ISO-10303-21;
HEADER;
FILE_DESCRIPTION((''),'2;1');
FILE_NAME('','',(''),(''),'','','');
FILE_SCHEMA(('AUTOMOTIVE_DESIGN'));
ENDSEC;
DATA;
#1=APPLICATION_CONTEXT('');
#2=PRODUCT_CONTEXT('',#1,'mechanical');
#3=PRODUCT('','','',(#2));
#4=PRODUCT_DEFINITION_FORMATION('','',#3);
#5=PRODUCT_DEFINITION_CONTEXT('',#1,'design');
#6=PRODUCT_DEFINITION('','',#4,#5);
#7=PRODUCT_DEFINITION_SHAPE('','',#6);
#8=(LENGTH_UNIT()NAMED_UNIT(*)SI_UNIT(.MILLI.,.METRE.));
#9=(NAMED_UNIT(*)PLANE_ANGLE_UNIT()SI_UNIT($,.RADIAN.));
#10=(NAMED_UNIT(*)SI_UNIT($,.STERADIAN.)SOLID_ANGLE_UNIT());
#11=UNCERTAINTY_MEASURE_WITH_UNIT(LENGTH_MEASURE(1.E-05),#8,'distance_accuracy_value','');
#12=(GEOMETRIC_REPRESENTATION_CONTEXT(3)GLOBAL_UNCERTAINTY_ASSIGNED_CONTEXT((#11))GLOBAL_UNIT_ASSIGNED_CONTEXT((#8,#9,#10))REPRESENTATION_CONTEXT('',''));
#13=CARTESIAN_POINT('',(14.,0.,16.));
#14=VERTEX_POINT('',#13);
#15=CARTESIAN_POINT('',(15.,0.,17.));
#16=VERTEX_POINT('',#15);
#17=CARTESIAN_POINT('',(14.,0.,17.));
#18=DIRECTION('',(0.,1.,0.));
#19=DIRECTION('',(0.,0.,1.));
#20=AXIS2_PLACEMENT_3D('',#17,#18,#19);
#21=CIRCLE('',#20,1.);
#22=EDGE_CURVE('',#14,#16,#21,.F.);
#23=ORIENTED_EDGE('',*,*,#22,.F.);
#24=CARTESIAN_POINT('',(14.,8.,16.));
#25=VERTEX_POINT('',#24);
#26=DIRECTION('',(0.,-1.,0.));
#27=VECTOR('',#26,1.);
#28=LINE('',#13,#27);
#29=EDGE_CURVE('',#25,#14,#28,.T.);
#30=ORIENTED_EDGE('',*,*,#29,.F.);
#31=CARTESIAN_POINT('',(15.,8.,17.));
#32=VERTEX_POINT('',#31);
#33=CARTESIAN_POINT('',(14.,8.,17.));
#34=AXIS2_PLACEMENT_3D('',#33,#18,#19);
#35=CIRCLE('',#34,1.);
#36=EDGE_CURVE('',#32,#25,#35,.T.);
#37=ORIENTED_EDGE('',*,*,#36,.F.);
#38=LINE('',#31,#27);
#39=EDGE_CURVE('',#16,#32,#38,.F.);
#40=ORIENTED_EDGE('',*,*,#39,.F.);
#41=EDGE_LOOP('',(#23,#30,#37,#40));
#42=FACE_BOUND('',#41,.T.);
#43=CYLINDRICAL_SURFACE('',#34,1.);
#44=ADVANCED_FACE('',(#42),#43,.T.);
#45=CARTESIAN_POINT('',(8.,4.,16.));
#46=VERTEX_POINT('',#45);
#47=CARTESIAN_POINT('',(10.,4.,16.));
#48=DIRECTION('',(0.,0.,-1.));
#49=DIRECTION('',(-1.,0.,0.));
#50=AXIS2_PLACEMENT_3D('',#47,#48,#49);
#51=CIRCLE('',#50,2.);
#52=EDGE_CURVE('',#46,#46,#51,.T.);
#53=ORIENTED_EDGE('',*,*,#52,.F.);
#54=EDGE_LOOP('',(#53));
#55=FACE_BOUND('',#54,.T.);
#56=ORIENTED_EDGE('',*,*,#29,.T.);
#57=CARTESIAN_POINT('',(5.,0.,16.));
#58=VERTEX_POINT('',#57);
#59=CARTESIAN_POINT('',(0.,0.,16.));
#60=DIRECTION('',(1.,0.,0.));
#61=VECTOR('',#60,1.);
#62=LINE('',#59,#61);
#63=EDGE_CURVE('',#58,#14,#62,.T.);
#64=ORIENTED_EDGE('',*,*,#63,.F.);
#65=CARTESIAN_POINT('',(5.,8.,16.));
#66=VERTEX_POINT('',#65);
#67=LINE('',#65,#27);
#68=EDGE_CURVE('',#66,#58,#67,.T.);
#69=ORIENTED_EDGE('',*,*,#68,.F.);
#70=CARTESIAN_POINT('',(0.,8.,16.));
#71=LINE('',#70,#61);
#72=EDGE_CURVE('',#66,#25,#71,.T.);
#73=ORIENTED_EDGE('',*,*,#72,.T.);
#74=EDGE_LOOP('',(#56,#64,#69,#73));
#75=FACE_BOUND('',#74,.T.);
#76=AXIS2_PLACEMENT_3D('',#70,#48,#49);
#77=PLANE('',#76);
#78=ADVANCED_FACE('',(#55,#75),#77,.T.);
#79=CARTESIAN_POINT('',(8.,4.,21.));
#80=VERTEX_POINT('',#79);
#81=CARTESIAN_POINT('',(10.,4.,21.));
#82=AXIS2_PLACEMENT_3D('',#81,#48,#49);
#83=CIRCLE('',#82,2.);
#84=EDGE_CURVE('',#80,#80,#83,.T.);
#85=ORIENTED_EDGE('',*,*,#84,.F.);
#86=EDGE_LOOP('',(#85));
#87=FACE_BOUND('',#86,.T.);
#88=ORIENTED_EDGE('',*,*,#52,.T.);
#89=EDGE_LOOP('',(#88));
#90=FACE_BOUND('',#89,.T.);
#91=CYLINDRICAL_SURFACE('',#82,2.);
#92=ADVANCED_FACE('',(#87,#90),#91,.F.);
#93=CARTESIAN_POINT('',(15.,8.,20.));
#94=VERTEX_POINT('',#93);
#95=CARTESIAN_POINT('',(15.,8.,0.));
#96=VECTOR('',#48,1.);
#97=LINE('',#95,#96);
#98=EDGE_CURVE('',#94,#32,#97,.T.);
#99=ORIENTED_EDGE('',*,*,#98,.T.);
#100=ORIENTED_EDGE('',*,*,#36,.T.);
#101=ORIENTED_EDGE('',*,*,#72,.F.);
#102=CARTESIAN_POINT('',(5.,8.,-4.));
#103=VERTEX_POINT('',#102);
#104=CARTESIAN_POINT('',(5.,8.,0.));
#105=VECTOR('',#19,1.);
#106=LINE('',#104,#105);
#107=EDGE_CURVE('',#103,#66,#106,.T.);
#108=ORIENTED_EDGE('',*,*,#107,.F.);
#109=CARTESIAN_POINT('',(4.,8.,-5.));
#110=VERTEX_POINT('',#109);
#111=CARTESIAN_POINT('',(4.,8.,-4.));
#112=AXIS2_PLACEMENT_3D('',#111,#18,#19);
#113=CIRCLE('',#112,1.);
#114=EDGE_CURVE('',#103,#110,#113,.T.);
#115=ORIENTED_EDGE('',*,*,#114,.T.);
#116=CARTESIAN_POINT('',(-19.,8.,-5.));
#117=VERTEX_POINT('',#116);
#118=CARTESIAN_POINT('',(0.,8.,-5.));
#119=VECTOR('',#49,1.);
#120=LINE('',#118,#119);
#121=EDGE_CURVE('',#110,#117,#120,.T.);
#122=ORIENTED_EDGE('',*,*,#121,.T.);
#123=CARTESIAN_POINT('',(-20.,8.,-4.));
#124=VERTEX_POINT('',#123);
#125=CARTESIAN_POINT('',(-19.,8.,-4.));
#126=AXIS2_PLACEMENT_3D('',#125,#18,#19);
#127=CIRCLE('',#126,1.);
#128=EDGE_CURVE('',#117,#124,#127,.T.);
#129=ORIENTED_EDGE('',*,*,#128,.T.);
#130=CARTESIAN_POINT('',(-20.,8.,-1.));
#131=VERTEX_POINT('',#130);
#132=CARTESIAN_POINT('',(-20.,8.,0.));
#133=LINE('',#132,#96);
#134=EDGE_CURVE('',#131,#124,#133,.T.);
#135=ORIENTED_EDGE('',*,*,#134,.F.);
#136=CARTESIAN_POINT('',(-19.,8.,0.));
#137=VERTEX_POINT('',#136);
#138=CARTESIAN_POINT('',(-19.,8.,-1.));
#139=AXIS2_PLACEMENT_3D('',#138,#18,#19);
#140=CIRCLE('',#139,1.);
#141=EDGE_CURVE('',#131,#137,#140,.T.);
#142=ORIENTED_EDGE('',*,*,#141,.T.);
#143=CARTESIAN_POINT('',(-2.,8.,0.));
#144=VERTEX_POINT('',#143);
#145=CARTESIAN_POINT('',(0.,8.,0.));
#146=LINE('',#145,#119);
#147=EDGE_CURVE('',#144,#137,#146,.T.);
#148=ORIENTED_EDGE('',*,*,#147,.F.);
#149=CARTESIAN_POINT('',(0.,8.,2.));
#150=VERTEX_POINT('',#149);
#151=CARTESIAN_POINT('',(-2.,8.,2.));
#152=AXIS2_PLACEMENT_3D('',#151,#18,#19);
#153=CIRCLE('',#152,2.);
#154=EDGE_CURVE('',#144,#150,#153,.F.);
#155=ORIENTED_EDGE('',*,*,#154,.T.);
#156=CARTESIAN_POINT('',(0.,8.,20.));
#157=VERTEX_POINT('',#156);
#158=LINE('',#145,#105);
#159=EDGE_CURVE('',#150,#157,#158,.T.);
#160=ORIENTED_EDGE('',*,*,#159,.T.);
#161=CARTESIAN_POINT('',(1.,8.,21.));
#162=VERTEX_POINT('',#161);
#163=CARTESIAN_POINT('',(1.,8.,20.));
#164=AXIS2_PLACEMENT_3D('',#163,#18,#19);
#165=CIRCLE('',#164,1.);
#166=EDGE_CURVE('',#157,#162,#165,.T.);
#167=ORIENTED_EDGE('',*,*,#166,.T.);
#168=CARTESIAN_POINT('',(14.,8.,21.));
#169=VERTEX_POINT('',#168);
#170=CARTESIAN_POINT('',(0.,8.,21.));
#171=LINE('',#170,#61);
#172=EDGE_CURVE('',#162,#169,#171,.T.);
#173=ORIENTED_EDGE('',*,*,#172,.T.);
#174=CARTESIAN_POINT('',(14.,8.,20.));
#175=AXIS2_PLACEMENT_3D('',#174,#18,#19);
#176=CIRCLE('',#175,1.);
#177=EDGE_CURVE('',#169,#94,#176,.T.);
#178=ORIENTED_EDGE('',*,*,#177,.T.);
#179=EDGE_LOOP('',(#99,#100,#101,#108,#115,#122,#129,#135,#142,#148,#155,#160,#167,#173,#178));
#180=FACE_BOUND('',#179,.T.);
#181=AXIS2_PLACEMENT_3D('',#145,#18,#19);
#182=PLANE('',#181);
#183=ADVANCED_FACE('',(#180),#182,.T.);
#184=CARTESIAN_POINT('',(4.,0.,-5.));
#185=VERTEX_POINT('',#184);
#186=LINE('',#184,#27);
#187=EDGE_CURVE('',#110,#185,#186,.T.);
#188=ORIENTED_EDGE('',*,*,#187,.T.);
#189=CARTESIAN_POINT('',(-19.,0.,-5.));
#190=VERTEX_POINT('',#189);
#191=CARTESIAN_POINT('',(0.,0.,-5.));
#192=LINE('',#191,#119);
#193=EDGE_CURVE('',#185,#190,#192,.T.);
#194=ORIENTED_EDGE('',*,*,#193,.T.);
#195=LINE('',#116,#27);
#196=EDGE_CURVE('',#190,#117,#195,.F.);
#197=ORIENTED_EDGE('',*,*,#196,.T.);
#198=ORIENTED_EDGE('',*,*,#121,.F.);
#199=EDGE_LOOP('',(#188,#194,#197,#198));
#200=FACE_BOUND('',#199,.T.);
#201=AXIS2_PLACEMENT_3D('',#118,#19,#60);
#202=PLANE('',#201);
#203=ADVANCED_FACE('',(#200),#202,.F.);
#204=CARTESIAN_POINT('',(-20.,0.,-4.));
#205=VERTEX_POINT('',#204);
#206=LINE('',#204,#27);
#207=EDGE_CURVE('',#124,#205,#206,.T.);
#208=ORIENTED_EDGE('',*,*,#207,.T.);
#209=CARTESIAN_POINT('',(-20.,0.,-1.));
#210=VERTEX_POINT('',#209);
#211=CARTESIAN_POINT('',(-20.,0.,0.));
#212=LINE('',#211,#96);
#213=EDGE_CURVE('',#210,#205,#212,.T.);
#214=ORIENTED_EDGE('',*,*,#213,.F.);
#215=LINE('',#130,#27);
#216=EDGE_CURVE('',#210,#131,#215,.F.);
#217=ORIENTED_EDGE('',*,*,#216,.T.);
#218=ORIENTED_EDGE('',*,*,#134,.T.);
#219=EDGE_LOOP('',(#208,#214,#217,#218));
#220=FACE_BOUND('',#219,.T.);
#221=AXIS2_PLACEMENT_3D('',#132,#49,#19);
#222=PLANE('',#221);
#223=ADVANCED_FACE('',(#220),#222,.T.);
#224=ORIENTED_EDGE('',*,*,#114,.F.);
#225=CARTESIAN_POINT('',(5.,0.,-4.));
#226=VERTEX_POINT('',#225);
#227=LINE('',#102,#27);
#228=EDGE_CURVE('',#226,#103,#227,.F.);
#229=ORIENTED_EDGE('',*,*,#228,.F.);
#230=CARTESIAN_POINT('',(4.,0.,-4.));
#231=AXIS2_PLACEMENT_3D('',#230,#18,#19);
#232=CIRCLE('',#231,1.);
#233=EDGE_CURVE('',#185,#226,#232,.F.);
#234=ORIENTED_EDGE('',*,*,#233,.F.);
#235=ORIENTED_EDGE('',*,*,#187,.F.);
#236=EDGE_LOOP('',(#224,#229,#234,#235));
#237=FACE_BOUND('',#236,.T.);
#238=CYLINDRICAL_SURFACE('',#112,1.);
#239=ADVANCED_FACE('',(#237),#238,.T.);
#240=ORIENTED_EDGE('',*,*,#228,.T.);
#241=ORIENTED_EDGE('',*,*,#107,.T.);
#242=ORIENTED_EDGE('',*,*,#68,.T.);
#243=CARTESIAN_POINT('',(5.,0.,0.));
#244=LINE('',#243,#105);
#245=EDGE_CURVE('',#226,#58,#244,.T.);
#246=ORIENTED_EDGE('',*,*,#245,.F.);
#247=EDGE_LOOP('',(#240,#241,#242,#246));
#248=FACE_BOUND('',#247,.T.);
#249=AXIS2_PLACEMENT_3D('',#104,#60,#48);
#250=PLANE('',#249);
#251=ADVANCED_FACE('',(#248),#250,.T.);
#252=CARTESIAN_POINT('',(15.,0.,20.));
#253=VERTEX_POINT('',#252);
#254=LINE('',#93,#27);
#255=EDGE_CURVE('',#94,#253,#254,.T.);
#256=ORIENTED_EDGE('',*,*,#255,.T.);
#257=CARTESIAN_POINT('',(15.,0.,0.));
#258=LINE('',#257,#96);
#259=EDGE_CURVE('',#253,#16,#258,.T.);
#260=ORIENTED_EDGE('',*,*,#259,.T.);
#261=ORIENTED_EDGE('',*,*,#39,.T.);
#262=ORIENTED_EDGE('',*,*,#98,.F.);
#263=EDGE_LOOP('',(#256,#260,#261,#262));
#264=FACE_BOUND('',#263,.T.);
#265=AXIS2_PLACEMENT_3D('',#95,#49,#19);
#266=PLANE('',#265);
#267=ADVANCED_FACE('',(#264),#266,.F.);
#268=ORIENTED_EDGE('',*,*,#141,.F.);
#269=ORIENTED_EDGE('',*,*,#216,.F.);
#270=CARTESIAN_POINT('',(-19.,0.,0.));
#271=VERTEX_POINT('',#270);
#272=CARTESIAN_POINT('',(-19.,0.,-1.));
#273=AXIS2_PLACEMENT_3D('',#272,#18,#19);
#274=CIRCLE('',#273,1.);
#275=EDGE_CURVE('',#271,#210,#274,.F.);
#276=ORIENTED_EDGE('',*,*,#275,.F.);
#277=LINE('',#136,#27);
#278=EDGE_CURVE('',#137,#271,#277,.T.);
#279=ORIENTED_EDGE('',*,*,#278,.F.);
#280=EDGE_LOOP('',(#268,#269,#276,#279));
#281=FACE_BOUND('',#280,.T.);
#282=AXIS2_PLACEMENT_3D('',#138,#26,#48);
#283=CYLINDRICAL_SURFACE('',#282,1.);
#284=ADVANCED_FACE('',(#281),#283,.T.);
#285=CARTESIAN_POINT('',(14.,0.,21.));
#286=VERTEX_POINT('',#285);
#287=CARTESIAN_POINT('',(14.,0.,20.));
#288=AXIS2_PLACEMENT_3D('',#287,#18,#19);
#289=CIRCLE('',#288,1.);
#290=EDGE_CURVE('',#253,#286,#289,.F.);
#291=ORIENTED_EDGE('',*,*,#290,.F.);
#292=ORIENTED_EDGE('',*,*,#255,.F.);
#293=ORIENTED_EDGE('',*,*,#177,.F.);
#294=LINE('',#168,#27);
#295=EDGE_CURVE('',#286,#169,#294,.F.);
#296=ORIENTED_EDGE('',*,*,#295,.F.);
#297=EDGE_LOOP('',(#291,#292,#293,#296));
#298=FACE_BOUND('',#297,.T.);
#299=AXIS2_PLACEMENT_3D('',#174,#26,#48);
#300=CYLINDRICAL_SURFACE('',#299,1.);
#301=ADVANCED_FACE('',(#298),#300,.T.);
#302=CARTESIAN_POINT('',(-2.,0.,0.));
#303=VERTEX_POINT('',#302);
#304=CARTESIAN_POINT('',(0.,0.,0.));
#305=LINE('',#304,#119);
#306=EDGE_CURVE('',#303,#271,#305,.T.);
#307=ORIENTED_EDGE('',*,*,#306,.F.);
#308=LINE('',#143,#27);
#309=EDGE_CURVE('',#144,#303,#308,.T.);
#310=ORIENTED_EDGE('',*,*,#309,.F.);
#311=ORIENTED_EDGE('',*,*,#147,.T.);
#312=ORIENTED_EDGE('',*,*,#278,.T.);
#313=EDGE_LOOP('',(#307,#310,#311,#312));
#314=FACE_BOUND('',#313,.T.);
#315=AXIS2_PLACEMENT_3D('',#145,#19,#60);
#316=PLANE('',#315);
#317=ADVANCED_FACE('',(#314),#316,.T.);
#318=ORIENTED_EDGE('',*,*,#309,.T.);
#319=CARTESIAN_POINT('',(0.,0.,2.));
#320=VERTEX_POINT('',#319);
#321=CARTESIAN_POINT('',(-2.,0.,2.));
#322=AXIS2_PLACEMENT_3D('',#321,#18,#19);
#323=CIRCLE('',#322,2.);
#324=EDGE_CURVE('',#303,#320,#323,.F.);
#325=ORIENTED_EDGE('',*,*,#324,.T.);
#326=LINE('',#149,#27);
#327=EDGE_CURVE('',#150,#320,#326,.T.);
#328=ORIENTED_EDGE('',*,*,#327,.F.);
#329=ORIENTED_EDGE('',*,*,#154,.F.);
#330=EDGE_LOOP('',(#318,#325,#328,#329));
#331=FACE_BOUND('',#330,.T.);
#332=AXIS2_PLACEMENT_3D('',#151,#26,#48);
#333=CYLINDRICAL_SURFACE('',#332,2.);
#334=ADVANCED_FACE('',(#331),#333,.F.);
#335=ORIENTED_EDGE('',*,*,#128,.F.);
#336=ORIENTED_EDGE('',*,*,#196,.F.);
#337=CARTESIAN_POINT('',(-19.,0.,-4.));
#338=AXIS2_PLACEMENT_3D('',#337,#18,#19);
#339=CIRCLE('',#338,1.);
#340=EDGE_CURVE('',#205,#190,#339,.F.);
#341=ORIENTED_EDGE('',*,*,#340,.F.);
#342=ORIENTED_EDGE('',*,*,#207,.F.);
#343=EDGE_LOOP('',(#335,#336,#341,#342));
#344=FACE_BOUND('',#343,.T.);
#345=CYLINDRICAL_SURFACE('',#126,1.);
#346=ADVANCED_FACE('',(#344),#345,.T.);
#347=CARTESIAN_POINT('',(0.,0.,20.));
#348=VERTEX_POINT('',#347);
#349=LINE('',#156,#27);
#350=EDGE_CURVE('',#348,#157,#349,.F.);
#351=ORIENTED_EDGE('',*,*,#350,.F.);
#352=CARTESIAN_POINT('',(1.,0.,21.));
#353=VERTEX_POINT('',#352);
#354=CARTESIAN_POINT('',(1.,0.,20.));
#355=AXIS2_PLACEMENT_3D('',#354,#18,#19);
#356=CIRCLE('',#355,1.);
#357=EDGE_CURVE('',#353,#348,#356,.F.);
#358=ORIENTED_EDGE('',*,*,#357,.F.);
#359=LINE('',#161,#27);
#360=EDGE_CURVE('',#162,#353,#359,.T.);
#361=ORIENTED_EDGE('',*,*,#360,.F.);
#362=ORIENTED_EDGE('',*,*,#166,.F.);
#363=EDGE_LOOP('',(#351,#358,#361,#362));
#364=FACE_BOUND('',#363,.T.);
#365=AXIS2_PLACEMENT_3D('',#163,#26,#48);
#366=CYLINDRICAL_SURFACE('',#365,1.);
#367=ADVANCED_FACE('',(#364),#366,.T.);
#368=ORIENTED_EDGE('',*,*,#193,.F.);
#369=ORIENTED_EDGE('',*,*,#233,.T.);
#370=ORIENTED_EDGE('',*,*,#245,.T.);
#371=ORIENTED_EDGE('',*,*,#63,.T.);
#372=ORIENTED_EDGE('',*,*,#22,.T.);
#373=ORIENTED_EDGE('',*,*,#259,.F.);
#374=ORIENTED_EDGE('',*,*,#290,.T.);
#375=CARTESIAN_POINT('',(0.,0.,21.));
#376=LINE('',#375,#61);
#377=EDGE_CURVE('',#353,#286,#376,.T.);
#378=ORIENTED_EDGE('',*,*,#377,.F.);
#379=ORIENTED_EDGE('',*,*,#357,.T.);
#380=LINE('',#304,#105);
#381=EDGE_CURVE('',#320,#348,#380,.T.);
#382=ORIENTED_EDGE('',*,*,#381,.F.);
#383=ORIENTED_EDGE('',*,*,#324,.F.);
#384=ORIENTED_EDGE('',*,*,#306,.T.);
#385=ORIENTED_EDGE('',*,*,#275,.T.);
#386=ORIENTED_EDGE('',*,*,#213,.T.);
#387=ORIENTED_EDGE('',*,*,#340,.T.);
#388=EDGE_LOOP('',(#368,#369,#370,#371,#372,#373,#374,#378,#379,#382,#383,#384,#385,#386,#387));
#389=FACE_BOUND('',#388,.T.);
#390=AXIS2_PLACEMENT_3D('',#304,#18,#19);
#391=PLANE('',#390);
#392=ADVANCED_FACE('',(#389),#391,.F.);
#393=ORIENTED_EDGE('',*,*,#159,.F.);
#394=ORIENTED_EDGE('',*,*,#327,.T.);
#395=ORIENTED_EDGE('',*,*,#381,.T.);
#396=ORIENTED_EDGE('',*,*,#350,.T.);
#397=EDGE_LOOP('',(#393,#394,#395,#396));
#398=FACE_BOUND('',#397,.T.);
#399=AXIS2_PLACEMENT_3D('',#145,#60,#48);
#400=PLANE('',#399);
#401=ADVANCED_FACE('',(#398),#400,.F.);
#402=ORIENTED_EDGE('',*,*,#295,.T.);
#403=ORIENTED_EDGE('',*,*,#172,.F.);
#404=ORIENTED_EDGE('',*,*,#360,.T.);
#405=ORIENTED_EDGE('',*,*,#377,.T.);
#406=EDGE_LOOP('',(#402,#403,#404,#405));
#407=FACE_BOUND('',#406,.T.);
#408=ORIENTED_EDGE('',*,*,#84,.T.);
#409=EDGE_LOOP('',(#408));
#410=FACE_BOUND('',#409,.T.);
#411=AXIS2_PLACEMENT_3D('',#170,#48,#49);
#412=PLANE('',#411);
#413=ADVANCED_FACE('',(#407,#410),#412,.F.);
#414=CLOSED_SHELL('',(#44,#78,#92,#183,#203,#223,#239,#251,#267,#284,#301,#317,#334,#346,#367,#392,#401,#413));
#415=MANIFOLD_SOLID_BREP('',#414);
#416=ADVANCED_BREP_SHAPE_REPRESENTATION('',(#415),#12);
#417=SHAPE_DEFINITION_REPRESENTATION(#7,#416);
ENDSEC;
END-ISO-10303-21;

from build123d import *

# Parameters (mm, degrees)
EXTRUDE_1_DEPTH     = 8
SKETCH_2_R          = 2
CUT_EXTRUDE_1_DEPTH = 5
FILLET_1_R          = 1


with BuildPart() as part:
    # 草图1 → 凸台-拉伸1 (new body)
    with BuildSketch(Plane(origin=(0, 0, 0), x_dir=(1, 0, 0), z_dir=(0, 1, 0))):
        with BuildLine():
            Line((-20, 0), (-2, 0))
            ThreePointArc((-2, 0), (-0.585786438, -0.585786438), (0, -2))
            Line((0, -2), (0, -15.720164609))
            Line((0, -15.720164609), (0, -21))
            Line((0, -21), (5, -21))
            Line((5, -21), (15, -21))
            Line((15, -21), (15, -16))
            Line((15, -16), (5, -16))
            Line((5, -16), (5, 0))
            Line((5, 0), (5, 5))
            Line((5, 5), (-20, 5))
            Line((-20, 5), (-20, 0))
        make_face()
    extrude(amount=EXTRUDE_1_DEPTH)

    # 草图2 → 切除-拉伸1 (cut)
    with BuildSketch(Plane(origin=(0, 0, 16), x_dir=(-1, 0, 0), z_dir=(0, 0, -1))):
        with Locations((-10, 4)):
            Circle(SKETCH_2_R)
    extrude(amount=-CUT_EXTRUDE_1_DEPTH, mode=Mode.SUBTRACT)

    # 圆角1
    fillet_1_edges = [part.edges().sort_by_distance(p)[0] for p in [
        (-20, 4, 0),
        (-20, 4, -5),
        (5, 4, -5),
        (15, 4, 16),
        (15, 4, 21),
        (0, 4, 21),
    ]]
    fillet(fillet_1_edges, radius=FILLET_1_R)


solid = part.part
